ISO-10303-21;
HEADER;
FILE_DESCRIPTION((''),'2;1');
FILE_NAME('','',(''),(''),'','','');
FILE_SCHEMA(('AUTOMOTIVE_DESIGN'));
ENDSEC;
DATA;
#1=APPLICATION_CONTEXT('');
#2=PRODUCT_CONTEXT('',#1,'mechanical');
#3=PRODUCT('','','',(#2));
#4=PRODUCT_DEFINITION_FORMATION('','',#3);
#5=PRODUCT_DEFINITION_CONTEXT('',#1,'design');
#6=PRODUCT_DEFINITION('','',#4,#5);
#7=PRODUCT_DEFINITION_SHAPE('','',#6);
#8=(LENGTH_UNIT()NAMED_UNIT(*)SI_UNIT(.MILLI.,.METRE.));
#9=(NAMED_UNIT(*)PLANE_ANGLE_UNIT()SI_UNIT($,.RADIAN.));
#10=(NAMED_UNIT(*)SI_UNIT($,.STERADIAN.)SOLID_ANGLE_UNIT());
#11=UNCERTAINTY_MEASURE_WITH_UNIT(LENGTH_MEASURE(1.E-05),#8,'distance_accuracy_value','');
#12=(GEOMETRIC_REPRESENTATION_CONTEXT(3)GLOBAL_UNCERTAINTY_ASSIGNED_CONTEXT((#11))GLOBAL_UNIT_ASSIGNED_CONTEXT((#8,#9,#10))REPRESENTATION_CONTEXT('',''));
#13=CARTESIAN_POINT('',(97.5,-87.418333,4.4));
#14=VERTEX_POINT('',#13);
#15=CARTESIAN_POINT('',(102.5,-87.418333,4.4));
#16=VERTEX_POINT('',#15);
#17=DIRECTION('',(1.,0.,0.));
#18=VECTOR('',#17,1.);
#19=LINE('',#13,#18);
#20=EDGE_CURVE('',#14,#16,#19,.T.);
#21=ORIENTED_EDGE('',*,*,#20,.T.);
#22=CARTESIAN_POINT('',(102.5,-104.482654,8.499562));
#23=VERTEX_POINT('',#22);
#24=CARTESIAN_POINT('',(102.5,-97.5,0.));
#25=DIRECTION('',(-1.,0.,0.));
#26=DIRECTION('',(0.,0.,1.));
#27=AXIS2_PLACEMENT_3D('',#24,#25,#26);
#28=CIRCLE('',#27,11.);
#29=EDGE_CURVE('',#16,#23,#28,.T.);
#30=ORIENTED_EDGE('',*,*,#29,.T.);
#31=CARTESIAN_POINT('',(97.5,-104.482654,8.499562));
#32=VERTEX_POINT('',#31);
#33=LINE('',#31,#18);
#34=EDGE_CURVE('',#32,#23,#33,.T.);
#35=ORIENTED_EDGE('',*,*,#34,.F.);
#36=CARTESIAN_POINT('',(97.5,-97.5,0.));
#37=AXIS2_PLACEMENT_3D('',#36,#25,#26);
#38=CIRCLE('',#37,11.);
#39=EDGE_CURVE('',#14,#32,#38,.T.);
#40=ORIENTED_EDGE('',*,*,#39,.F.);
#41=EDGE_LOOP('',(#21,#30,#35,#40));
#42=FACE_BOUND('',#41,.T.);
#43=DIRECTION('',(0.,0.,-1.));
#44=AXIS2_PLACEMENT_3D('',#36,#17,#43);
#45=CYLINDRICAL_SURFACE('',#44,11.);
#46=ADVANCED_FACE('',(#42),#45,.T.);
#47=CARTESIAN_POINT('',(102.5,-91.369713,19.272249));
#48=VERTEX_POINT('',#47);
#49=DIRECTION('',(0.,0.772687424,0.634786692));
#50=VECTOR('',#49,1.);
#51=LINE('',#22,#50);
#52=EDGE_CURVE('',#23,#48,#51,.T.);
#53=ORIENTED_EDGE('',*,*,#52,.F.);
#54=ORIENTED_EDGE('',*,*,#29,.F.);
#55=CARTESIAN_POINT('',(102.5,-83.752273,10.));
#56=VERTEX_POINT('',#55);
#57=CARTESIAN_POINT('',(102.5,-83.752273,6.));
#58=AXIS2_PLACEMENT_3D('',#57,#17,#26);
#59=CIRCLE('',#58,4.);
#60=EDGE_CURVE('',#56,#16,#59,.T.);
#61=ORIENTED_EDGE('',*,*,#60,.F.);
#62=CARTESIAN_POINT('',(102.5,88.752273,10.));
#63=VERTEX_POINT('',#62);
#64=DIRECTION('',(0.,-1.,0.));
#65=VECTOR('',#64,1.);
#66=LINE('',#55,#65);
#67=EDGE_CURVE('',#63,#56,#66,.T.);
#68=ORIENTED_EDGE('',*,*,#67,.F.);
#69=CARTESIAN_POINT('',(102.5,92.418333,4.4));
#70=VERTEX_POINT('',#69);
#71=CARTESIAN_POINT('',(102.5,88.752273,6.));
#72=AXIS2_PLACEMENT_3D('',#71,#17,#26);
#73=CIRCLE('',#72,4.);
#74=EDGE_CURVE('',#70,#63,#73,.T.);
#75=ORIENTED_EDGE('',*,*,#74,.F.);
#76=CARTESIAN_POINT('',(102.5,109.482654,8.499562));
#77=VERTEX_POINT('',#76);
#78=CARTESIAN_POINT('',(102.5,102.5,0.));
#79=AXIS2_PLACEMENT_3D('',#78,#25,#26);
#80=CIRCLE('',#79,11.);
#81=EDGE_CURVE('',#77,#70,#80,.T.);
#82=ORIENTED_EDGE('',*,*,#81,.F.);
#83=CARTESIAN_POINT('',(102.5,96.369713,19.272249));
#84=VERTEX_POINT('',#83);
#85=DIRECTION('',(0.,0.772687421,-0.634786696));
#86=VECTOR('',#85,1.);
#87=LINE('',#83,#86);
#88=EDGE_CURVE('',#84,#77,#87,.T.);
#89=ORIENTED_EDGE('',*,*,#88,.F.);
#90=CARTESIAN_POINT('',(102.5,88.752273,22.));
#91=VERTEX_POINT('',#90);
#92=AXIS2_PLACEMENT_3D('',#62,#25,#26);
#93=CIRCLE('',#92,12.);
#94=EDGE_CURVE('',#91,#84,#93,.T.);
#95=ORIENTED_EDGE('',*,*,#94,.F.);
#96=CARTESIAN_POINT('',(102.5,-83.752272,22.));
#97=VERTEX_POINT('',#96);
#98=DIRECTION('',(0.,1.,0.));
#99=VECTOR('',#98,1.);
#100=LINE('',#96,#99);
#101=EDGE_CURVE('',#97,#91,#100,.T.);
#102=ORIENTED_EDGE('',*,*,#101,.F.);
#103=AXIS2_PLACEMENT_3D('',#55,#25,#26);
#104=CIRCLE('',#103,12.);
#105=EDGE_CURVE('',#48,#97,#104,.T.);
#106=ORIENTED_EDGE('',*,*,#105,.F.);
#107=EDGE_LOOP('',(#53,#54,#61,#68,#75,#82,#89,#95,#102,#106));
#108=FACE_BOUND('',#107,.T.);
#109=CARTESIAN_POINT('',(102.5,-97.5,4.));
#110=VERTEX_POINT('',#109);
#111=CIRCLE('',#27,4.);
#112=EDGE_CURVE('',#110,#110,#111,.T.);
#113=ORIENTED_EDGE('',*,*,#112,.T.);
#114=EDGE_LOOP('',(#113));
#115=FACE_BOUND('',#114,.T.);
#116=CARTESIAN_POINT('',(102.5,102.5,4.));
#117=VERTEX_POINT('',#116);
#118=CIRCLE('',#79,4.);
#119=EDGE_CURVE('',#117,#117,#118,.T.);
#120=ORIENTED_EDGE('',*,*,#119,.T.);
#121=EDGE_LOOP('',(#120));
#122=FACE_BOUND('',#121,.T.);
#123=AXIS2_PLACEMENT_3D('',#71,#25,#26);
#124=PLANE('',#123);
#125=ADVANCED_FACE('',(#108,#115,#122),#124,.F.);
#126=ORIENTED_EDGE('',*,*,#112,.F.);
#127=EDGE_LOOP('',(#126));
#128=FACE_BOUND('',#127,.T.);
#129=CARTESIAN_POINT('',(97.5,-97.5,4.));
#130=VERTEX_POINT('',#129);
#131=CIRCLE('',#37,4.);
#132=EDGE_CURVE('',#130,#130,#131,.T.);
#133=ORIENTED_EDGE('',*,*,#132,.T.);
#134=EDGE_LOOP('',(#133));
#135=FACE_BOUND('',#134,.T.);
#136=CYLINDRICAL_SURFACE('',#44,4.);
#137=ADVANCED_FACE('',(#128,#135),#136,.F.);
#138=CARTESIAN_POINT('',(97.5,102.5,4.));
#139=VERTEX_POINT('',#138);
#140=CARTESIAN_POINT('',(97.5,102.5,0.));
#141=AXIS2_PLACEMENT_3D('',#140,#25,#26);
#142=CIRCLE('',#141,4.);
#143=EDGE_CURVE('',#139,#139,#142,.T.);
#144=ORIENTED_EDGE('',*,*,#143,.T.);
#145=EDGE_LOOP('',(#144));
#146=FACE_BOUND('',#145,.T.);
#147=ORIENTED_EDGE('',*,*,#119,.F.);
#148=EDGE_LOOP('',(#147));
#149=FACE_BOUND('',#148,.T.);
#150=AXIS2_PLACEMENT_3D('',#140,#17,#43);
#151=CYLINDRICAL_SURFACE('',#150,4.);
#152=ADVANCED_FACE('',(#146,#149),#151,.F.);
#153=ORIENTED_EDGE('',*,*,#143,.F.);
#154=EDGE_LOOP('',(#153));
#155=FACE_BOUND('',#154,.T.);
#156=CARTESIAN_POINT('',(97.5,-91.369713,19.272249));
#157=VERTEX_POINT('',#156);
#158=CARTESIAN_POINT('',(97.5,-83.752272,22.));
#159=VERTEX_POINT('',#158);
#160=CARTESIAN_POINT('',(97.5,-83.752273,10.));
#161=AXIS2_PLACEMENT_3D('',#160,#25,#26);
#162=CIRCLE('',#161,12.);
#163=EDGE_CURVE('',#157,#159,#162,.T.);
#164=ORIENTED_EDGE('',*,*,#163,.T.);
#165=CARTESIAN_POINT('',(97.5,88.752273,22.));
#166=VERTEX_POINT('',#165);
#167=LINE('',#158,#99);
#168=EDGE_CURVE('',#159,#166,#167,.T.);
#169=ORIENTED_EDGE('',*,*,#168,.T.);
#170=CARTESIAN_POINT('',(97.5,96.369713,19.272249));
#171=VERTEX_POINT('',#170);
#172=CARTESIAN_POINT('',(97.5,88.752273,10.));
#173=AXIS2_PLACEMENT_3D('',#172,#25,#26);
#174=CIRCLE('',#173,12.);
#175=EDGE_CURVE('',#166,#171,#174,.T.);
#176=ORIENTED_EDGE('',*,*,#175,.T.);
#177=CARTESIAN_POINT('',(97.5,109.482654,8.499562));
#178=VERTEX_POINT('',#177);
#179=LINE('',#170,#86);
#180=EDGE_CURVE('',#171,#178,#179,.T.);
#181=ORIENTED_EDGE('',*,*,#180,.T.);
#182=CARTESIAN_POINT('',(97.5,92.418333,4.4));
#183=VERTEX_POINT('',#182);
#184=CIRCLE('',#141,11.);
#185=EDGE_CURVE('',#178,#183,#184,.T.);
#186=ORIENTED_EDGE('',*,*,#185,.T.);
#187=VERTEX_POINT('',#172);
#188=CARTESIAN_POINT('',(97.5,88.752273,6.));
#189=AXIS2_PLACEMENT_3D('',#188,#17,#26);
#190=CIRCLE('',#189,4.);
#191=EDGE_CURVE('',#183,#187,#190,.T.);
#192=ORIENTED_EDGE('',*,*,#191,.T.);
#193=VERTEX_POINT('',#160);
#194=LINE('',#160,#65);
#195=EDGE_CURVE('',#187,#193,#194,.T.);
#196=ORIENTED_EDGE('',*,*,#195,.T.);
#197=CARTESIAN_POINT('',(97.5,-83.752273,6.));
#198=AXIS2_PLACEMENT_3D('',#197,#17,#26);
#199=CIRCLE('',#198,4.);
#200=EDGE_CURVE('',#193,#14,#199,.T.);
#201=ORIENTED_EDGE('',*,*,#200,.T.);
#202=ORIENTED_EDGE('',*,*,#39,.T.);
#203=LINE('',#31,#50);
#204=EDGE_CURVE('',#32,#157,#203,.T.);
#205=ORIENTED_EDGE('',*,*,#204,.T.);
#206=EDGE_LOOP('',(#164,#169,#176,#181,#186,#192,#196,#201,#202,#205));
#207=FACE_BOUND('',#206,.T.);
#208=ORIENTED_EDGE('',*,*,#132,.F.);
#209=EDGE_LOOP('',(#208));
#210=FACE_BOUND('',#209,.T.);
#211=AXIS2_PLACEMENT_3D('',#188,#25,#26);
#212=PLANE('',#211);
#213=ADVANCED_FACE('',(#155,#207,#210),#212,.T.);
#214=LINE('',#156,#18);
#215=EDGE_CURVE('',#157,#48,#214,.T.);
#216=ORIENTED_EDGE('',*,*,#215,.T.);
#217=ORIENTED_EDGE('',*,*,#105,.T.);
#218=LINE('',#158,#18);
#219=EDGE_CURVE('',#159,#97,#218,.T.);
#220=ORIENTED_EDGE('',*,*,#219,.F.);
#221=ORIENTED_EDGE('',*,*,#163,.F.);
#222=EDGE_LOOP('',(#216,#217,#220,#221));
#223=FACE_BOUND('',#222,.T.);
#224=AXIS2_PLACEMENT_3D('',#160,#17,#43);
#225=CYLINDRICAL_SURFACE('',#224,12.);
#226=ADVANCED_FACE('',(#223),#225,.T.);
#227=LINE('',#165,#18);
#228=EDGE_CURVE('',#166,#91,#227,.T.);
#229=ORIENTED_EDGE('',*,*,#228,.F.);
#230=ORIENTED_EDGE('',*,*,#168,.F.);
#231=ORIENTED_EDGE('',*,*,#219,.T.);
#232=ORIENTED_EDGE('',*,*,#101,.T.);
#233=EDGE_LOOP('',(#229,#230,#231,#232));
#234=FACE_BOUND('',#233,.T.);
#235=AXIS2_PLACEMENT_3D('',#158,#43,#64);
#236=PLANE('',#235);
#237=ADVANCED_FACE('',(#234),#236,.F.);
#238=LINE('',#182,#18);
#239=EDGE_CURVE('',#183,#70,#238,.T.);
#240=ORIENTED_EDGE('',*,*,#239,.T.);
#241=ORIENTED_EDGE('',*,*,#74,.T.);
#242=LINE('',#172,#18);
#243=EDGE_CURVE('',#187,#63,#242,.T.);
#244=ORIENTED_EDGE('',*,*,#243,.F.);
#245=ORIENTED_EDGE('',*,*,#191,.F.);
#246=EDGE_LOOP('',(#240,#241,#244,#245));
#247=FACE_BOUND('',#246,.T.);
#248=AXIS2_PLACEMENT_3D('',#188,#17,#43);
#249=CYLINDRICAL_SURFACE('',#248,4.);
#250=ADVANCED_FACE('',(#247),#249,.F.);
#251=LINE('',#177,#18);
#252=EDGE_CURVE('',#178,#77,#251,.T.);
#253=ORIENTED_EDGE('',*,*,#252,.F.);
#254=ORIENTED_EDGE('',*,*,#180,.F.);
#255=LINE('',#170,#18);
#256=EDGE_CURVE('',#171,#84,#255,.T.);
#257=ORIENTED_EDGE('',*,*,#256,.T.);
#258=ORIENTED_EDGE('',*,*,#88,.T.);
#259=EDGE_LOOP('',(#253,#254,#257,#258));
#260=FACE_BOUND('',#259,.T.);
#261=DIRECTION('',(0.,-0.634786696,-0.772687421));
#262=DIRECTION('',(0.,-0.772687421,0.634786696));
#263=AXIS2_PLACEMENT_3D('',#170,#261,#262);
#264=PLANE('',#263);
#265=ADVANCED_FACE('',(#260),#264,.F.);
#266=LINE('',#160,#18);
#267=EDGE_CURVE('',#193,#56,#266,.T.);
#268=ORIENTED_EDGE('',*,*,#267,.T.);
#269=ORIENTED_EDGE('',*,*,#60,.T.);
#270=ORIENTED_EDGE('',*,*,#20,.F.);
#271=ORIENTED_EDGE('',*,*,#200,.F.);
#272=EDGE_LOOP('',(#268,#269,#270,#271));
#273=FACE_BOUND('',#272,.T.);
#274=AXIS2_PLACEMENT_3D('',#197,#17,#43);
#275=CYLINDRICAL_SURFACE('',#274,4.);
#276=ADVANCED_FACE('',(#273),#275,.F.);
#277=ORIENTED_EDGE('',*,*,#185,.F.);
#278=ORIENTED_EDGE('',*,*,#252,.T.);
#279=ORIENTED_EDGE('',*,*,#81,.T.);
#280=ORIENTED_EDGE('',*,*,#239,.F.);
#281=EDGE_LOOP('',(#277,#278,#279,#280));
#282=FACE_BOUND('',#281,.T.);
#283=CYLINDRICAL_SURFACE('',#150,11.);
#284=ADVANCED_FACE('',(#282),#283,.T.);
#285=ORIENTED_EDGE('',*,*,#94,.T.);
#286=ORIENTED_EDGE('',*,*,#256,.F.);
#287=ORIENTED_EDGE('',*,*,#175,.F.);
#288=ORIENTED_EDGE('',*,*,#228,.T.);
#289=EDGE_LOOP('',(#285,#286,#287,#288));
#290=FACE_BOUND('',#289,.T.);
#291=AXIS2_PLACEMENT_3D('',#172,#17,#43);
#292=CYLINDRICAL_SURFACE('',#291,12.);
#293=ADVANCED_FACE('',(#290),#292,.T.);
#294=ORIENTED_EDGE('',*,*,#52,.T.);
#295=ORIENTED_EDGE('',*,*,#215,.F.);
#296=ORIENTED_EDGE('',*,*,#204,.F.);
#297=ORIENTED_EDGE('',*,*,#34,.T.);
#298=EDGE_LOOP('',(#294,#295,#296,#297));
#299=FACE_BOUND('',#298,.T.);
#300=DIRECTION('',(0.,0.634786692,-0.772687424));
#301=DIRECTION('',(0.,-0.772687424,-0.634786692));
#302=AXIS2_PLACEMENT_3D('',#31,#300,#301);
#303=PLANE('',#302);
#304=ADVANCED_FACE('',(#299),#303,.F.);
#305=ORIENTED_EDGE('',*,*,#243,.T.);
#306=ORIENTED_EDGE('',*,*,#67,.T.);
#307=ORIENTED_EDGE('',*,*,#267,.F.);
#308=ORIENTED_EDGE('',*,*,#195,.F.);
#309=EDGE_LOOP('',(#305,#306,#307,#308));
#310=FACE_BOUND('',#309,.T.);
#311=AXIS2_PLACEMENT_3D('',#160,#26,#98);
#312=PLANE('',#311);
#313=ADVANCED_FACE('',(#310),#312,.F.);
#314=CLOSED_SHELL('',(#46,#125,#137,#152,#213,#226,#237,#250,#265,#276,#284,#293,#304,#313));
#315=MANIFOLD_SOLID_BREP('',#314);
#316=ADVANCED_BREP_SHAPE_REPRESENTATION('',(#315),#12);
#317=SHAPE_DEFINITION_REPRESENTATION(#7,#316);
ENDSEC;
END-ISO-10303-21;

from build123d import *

# Parameters (mm, degrees)
SKETCH1_R             = 4
BOSS_EXTRUDE1_DEPTH   = 5
BODY_MOVE_COPY1_ANGLE = 90


with BuildPart() as part:
    # Sketch1 → Boss-Extrude1 (new body)
    with BuildSketch(Plane(origin=(0, 0, 0), x_dir=(1, 0, 0), z_dir=(0, 1, 0))):
        with BuildLine():
            Line((13.747727104, -9.999999956), (186.252272934, -9.999999956))
            ThreePointArc((186.252272934, -9.999999956), (189.598913044, -8.190890181), (189.918333485, -4.399999944))
            ThreePointArc((189.918333485, -4.399999944), (202.569546944, 10.695673442), (206.982653657, -8.499561542))
            Line((206.982653657, -8.499561542), (193.869713288, -19.272249007))
            ThreePointArc((193.869713288, -19.272249007), (190.297826985, -21.297499344), (186.252273428, -21.999999956))
            Line((186.252273428, -21.999999956), (13.747727597, -21.999999956))
            ThreePointArc((13.747727597, -21.999999956), (9.702173549, -21.297499522), (6.130286801, -19.272249048))
            Line((6.130286801, -19.272249048), (-6.982653611, -8.499561668))
            ThreePointArc((-6.982653611, -8.499561668), (-2.569547007, 10.695673339), (10.081666543, -4.399999968))
            ThreePointArc((10.081666543, -4.399999968), (10.401087001, -8.190890191), (13.747727104, -9.999999956))
        make_face()
        Circle(SKETCH1_R, mode=Mode.SUBTRACT)
        with Locations((200, 8.8e-08)):
            Circle(SKETCH1_R, mode=Mode.SUBTRACT)
    extrude(amount=BOSS_EXTRUDE1_DEPTH)


with BuildPart() as part_1:
    # Body-Move/Copy1: moved
    add(part.part.moved(Location((0, 0, 0))).rotate(Axis((100, 2.5, 0), (0, 0, 1)), BODY_MOVE_COPY1_ANGLE))


solid = part_1.part
